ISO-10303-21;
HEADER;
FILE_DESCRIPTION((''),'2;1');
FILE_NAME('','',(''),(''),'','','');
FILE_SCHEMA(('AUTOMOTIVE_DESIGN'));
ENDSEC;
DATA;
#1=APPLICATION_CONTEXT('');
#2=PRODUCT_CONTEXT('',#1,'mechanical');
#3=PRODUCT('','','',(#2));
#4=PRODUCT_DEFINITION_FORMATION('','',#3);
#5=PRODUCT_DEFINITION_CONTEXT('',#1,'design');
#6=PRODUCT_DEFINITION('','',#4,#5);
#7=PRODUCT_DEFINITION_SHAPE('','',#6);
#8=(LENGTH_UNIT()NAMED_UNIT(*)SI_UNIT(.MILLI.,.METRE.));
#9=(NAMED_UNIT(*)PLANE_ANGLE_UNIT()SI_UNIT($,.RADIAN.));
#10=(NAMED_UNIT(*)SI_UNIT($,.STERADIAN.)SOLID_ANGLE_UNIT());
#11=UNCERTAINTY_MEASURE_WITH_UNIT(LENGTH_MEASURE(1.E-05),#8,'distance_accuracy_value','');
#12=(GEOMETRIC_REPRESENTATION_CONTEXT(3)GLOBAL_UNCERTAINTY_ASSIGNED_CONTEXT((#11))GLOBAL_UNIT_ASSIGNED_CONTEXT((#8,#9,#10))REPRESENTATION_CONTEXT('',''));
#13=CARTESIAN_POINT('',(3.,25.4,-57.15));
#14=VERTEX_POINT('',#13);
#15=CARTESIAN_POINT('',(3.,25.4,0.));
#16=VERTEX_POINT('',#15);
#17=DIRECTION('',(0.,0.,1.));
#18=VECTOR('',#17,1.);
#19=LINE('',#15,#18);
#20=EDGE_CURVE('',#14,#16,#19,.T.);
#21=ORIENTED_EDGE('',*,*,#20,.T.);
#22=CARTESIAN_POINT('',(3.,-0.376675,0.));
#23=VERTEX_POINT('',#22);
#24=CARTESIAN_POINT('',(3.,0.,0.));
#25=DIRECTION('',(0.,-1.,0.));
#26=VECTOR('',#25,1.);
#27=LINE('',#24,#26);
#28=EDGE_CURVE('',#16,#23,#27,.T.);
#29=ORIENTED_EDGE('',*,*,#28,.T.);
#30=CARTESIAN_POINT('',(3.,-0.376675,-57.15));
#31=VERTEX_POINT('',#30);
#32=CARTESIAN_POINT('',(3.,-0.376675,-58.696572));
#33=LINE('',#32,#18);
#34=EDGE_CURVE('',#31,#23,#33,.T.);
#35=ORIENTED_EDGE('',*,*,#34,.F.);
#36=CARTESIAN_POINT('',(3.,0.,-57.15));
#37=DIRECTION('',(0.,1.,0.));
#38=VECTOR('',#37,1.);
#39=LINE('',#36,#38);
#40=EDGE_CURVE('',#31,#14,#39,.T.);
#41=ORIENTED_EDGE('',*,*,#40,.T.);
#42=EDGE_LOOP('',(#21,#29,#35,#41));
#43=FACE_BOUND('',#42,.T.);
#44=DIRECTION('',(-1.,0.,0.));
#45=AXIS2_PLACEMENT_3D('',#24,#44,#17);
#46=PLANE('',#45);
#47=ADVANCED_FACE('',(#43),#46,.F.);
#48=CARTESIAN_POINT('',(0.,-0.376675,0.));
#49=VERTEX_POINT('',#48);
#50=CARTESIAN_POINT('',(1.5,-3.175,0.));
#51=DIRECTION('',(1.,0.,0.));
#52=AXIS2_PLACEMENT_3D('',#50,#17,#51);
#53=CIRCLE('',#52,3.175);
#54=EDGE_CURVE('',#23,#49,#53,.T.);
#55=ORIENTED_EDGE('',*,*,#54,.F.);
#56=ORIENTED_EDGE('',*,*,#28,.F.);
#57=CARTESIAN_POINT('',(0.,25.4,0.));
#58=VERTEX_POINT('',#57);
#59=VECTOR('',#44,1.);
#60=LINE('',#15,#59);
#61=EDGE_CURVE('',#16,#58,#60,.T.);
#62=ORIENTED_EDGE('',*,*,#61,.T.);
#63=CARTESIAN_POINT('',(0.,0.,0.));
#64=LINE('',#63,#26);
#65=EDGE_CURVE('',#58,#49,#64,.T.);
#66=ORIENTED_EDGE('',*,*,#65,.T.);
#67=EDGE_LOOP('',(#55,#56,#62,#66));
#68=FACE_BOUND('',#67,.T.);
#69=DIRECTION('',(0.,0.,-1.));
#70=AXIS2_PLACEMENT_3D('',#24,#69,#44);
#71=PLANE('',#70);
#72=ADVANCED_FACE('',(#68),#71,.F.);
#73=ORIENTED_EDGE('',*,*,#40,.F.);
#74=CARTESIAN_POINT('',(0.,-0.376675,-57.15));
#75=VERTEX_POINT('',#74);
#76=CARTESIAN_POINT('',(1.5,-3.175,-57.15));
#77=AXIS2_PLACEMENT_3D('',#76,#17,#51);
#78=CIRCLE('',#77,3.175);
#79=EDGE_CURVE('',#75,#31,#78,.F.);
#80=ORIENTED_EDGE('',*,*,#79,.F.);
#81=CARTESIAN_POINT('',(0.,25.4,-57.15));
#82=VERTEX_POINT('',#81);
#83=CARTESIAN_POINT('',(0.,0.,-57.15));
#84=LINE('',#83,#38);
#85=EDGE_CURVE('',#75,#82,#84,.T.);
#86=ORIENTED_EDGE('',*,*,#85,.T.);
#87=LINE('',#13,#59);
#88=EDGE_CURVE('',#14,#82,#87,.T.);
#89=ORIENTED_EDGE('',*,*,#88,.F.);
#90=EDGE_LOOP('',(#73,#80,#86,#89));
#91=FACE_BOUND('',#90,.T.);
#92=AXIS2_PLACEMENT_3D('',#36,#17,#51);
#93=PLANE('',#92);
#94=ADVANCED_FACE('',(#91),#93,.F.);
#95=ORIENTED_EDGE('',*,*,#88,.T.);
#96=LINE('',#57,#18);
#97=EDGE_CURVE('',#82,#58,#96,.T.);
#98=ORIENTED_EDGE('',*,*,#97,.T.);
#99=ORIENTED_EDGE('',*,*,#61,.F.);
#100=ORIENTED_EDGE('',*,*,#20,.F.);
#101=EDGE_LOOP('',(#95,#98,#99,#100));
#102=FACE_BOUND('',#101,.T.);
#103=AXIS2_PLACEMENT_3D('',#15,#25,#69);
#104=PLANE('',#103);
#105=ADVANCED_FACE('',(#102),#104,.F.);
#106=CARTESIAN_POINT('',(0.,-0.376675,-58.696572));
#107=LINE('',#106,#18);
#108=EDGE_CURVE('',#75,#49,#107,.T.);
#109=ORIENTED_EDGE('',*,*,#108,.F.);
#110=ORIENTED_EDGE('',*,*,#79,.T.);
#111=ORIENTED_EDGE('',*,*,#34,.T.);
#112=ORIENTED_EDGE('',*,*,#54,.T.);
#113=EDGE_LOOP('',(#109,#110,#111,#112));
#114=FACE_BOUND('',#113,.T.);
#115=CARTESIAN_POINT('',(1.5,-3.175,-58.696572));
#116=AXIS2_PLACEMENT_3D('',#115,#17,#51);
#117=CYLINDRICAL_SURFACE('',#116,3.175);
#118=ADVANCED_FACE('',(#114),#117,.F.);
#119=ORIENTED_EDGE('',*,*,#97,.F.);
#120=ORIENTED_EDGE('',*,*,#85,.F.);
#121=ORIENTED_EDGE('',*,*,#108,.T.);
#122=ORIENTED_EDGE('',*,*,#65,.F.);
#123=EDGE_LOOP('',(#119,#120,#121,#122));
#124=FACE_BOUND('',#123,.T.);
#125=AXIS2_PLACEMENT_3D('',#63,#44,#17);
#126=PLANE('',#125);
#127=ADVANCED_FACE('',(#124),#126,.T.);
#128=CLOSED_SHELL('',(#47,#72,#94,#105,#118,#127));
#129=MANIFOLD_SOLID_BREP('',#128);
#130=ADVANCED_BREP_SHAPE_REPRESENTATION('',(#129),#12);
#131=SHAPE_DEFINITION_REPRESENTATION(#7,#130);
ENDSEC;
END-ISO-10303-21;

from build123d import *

# Parameters (mm, degrees)
CROQUIS1_W              = 57.15
CROQUIS1_H              = 25.4
SALIENTE_EXTRUIR1_DEPTH = 3
SALIENTE_EXTRUIR2_DEPTH = 57.15


with BuildPart() as part:
    # Croquis1 → Saliente-Extruir1 (new body)
    with BuildSketch(Plane(origin=(0, 0, 0), x_dir=(0, 0, -1), z_dir=(1, 0, 0))):
        with Locations((28.575, 12.7)):
            Rectangle(CROQUIS1_W, CROQUIS1_H)
    extrude(amount=SALIENTE_EXTRUIR1_DEPTH)

    # Croquis2 → Saliente-Extruir2 (add)
    with BuildSketch(Plane.XY):
        with BuildLine():
            Line((3, 0), (1.5, 0))
            ThreePointArc((1.5, 0), (2.273285807, -0.095608167), (3, -0.376674608))
            Line((3, -0.376674608), (3, 0))
        make_face()
        with BuildLine():
            Line((1.5, 0), (0, 0))
            Line((0, 0), (0, -0.376674608))
            ThreePointArc((0, -0.376674608), (0.726714193, -0.095608167), (1.5, 0))
        make_face()
    extrude(amount=-SALIENTE_EXTRUIR2_DEPTH)


solid = part.part
